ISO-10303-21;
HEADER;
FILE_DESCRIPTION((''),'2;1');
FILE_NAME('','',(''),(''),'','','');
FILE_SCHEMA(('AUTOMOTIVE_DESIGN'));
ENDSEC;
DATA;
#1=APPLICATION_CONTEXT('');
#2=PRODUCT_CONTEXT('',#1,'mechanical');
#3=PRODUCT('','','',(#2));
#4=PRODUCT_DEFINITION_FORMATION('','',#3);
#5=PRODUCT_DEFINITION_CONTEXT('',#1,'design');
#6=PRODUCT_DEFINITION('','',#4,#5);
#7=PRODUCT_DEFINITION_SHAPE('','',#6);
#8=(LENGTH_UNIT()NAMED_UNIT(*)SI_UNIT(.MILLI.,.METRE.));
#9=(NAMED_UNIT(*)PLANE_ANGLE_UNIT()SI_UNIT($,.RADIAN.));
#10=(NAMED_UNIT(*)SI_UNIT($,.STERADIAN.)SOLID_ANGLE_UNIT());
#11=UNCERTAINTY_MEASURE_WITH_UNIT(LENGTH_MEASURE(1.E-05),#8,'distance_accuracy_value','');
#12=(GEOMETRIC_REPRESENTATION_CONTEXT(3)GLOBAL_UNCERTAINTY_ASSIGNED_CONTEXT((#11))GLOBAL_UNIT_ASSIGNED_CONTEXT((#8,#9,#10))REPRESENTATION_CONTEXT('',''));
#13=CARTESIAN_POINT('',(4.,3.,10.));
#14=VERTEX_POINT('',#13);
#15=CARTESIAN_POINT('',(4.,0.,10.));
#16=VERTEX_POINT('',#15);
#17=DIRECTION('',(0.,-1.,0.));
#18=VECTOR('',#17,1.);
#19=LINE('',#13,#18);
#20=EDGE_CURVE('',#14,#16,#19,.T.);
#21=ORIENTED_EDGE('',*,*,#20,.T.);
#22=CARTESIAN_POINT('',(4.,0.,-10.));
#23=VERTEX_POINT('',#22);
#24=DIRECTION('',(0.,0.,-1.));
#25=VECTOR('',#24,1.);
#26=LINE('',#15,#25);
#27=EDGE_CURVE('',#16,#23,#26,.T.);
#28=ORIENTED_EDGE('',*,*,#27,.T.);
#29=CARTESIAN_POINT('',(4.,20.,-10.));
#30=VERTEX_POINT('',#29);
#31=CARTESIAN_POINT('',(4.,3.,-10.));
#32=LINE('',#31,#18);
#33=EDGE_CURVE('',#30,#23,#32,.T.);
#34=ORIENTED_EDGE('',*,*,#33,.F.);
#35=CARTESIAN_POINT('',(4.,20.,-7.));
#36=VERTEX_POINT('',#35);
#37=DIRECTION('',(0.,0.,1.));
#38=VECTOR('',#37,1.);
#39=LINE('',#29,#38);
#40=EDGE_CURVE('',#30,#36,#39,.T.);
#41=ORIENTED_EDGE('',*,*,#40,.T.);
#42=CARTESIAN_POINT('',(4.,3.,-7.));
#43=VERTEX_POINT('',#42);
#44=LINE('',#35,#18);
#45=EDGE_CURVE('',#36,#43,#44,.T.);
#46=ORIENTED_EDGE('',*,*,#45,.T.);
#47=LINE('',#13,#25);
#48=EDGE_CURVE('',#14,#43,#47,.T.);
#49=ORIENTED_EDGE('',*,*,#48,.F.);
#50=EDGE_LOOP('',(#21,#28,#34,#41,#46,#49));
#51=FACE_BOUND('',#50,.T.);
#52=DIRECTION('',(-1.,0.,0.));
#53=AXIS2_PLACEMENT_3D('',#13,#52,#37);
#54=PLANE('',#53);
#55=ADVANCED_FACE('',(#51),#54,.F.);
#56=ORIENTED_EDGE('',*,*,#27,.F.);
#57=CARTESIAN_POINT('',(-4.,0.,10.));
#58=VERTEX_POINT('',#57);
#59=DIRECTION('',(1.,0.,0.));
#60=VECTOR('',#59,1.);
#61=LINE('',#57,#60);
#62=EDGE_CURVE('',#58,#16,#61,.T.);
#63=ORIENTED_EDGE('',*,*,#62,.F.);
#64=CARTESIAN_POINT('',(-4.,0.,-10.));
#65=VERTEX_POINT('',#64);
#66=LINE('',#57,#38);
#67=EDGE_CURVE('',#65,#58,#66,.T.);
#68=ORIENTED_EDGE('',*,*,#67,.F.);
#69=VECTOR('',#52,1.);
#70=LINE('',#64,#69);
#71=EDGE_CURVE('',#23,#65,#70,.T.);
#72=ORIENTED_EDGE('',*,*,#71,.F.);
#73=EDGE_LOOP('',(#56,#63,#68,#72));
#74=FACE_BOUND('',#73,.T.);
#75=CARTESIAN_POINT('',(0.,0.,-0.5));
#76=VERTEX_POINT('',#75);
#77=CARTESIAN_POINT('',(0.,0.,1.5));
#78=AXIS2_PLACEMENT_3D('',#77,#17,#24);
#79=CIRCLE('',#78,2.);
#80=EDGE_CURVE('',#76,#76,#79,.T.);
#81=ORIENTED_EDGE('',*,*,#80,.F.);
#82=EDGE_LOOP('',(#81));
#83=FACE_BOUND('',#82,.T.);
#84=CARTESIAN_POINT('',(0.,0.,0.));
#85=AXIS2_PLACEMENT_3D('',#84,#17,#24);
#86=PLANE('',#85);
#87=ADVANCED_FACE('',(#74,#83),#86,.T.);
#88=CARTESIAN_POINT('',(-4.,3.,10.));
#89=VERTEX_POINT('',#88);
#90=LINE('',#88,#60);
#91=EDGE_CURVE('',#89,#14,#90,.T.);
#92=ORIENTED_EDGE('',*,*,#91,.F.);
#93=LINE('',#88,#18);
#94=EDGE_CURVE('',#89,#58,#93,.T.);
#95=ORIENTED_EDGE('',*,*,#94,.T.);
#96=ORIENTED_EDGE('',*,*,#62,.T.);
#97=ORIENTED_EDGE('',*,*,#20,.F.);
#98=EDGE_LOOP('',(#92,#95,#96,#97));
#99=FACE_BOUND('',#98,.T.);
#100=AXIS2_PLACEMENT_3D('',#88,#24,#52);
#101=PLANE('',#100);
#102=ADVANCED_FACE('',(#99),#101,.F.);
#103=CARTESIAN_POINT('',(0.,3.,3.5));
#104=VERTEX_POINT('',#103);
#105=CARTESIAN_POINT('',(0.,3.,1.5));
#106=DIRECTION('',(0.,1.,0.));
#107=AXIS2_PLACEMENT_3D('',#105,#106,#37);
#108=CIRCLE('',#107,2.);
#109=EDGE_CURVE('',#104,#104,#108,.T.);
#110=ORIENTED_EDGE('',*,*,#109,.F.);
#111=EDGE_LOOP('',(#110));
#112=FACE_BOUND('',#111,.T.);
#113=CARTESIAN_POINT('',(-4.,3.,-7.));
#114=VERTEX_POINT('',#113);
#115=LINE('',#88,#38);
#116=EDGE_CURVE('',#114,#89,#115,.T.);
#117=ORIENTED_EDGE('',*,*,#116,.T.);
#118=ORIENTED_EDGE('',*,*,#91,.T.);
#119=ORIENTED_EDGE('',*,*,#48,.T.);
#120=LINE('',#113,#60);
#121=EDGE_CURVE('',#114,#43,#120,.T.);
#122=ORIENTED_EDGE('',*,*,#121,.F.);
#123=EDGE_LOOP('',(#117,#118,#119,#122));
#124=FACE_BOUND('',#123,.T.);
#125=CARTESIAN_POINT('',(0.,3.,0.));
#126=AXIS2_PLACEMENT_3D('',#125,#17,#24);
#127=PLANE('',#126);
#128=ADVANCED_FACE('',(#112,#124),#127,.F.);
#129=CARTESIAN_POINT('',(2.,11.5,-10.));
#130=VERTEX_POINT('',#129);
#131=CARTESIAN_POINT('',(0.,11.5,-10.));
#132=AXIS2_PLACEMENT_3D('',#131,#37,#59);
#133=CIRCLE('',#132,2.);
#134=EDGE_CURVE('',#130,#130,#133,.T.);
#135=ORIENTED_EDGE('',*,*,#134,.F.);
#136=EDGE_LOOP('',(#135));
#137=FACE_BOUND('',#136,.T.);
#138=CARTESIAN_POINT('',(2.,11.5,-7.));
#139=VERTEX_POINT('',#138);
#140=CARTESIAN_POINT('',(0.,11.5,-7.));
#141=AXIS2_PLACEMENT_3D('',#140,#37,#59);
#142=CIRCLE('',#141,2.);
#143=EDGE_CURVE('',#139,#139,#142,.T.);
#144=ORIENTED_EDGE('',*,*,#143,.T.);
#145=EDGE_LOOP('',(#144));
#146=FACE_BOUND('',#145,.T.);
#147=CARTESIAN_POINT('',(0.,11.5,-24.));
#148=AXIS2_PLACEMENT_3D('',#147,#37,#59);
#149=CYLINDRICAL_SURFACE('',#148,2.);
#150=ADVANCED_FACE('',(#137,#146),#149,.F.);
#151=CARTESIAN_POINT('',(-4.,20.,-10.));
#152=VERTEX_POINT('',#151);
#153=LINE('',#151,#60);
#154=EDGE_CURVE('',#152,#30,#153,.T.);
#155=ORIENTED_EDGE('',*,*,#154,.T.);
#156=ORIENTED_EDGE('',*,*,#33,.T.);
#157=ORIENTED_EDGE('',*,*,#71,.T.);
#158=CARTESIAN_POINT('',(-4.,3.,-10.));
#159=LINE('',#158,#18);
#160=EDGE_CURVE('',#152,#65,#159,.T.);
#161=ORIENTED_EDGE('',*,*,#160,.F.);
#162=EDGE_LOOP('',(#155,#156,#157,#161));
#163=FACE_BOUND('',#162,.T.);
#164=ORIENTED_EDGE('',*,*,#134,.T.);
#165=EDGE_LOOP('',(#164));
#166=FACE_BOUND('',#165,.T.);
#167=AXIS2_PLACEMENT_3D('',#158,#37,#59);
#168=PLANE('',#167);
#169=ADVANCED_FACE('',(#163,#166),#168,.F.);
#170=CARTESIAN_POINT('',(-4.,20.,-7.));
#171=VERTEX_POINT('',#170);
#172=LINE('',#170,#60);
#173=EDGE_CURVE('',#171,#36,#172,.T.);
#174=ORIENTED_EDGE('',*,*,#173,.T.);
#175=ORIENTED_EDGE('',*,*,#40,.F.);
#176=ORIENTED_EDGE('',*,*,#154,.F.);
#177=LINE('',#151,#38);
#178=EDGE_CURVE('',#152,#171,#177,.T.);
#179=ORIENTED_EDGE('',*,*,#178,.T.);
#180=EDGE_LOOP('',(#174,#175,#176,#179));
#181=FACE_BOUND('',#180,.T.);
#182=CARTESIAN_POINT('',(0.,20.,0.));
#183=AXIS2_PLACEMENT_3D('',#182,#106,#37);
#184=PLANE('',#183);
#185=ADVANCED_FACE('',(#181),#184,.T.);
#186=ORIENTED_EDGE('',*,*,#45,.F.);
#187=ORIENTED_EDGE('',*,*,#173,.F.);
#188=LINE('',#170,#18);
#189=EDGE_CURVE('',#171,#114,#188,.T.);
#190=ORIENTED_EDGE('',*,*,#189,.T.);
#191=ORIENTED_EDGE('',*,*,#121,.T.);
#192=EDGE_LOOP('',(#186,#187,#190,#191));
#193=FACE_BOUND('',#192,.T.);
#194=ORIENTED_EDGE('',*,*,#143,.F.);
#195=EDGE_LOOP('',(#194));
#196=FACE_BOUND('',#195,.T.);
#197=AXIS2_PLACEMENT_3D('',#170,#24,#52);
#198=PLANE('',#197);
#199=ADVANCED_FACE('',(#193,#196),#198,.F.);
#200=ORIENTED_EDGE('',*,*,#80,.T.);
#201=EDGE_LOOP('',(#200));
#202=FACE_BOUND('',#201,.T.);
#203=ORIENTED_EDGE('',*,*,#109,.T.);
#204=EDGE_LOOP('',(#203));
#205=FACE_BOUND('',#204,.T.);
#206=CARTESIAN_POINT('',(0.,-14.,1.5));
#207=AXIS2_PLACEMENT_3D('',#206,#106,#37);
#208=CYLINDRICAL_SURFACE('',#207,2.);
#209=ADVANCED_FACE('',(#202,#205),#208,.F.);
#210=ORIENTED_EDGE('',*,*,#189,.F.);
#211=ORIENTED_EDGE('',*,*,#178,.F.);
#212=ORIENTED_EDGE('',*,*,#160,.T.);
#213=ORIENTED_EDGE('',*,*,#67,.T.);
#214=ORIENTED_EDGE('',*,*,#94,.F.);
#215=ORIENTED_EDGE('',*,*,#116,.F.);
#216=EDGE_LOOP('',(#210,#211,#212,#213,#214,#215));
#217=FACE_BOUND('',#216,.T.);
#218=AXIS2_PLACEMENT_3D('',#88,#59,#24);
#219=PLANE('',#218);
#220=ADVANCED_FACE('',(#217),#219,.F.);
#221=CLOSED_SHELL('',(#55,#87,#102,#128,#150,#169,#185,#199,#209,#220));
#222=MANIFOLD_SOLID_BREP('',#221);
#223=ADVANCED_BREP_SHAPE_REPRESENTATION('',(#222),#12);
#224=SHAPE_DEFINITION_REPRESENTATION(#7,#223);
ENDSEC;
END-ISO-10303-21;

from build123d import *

# Parameters (mm, degrees)
SKETCH1_W           = 8
SKETCH1_H           = 20
BOSS_EXTRUDE1_DEPTH = 3
SKETCH2_W           = 8
SKETCH2_H           = 3
BOSS_EXTRUDE2_DEPTH = 17
SKETCH3_R           = 2
CUT_EXTRUDE1_DEPTH  = 17
SKETCH4_R           = 2
CUT_EXTRUDE2_DEPTH  = 17


with BuildPart() as part:
    # Sketch1 → Boss-Extrude1 (new body)
    with BuildSketch(Plane(origin=(0, 0, 0), x_dir=(1, 0, 0), z_dir=(0, 1, 0))):
        Rectangle(SKETCH1_W, SKETCH1_H)
    extrude(amount=BOSS_EXTRUDE1_DEPTH)

    # Sketch2 → Boss-Extrude2 (add)
    with BuildSketch(Plane(origin=(0, 3, 0), x_dir=(1, 0, 0), z_dir=(0, 1, 0))):
        with Locations((0, 8.5)):
            Rectangle(SKETCH2_W, SKETCH2_H)
    extrude(amount=BOSS_EXTRUDE2_DEPTH)

    # Sketch3 → Cut-Extrude1 (cut)
    with BuildSketch(Plane(origin=(0, 3, 0), x_dir=(1, 0, 0), z_dir=(0, 1, 0))):
        with Locations((0, -1.5)):
            Circle(SKETCH3_R)
    extrude(amount=-CUT_EXTRUDE1_DEPTH, mode=Mode.SUBTRACT)

    # Sketch4 → Cut-Extrude2 (cut)
    with BuildSketch(Plane.XY.offset(-7)):
        with Locations((0, 11.5)):
            Circle(SKETCH4_R)
    extrude(amount=-CUT_EXTRUDE2_DEPTH, mode=Mode.SUBTRACT)


solid = part.part
